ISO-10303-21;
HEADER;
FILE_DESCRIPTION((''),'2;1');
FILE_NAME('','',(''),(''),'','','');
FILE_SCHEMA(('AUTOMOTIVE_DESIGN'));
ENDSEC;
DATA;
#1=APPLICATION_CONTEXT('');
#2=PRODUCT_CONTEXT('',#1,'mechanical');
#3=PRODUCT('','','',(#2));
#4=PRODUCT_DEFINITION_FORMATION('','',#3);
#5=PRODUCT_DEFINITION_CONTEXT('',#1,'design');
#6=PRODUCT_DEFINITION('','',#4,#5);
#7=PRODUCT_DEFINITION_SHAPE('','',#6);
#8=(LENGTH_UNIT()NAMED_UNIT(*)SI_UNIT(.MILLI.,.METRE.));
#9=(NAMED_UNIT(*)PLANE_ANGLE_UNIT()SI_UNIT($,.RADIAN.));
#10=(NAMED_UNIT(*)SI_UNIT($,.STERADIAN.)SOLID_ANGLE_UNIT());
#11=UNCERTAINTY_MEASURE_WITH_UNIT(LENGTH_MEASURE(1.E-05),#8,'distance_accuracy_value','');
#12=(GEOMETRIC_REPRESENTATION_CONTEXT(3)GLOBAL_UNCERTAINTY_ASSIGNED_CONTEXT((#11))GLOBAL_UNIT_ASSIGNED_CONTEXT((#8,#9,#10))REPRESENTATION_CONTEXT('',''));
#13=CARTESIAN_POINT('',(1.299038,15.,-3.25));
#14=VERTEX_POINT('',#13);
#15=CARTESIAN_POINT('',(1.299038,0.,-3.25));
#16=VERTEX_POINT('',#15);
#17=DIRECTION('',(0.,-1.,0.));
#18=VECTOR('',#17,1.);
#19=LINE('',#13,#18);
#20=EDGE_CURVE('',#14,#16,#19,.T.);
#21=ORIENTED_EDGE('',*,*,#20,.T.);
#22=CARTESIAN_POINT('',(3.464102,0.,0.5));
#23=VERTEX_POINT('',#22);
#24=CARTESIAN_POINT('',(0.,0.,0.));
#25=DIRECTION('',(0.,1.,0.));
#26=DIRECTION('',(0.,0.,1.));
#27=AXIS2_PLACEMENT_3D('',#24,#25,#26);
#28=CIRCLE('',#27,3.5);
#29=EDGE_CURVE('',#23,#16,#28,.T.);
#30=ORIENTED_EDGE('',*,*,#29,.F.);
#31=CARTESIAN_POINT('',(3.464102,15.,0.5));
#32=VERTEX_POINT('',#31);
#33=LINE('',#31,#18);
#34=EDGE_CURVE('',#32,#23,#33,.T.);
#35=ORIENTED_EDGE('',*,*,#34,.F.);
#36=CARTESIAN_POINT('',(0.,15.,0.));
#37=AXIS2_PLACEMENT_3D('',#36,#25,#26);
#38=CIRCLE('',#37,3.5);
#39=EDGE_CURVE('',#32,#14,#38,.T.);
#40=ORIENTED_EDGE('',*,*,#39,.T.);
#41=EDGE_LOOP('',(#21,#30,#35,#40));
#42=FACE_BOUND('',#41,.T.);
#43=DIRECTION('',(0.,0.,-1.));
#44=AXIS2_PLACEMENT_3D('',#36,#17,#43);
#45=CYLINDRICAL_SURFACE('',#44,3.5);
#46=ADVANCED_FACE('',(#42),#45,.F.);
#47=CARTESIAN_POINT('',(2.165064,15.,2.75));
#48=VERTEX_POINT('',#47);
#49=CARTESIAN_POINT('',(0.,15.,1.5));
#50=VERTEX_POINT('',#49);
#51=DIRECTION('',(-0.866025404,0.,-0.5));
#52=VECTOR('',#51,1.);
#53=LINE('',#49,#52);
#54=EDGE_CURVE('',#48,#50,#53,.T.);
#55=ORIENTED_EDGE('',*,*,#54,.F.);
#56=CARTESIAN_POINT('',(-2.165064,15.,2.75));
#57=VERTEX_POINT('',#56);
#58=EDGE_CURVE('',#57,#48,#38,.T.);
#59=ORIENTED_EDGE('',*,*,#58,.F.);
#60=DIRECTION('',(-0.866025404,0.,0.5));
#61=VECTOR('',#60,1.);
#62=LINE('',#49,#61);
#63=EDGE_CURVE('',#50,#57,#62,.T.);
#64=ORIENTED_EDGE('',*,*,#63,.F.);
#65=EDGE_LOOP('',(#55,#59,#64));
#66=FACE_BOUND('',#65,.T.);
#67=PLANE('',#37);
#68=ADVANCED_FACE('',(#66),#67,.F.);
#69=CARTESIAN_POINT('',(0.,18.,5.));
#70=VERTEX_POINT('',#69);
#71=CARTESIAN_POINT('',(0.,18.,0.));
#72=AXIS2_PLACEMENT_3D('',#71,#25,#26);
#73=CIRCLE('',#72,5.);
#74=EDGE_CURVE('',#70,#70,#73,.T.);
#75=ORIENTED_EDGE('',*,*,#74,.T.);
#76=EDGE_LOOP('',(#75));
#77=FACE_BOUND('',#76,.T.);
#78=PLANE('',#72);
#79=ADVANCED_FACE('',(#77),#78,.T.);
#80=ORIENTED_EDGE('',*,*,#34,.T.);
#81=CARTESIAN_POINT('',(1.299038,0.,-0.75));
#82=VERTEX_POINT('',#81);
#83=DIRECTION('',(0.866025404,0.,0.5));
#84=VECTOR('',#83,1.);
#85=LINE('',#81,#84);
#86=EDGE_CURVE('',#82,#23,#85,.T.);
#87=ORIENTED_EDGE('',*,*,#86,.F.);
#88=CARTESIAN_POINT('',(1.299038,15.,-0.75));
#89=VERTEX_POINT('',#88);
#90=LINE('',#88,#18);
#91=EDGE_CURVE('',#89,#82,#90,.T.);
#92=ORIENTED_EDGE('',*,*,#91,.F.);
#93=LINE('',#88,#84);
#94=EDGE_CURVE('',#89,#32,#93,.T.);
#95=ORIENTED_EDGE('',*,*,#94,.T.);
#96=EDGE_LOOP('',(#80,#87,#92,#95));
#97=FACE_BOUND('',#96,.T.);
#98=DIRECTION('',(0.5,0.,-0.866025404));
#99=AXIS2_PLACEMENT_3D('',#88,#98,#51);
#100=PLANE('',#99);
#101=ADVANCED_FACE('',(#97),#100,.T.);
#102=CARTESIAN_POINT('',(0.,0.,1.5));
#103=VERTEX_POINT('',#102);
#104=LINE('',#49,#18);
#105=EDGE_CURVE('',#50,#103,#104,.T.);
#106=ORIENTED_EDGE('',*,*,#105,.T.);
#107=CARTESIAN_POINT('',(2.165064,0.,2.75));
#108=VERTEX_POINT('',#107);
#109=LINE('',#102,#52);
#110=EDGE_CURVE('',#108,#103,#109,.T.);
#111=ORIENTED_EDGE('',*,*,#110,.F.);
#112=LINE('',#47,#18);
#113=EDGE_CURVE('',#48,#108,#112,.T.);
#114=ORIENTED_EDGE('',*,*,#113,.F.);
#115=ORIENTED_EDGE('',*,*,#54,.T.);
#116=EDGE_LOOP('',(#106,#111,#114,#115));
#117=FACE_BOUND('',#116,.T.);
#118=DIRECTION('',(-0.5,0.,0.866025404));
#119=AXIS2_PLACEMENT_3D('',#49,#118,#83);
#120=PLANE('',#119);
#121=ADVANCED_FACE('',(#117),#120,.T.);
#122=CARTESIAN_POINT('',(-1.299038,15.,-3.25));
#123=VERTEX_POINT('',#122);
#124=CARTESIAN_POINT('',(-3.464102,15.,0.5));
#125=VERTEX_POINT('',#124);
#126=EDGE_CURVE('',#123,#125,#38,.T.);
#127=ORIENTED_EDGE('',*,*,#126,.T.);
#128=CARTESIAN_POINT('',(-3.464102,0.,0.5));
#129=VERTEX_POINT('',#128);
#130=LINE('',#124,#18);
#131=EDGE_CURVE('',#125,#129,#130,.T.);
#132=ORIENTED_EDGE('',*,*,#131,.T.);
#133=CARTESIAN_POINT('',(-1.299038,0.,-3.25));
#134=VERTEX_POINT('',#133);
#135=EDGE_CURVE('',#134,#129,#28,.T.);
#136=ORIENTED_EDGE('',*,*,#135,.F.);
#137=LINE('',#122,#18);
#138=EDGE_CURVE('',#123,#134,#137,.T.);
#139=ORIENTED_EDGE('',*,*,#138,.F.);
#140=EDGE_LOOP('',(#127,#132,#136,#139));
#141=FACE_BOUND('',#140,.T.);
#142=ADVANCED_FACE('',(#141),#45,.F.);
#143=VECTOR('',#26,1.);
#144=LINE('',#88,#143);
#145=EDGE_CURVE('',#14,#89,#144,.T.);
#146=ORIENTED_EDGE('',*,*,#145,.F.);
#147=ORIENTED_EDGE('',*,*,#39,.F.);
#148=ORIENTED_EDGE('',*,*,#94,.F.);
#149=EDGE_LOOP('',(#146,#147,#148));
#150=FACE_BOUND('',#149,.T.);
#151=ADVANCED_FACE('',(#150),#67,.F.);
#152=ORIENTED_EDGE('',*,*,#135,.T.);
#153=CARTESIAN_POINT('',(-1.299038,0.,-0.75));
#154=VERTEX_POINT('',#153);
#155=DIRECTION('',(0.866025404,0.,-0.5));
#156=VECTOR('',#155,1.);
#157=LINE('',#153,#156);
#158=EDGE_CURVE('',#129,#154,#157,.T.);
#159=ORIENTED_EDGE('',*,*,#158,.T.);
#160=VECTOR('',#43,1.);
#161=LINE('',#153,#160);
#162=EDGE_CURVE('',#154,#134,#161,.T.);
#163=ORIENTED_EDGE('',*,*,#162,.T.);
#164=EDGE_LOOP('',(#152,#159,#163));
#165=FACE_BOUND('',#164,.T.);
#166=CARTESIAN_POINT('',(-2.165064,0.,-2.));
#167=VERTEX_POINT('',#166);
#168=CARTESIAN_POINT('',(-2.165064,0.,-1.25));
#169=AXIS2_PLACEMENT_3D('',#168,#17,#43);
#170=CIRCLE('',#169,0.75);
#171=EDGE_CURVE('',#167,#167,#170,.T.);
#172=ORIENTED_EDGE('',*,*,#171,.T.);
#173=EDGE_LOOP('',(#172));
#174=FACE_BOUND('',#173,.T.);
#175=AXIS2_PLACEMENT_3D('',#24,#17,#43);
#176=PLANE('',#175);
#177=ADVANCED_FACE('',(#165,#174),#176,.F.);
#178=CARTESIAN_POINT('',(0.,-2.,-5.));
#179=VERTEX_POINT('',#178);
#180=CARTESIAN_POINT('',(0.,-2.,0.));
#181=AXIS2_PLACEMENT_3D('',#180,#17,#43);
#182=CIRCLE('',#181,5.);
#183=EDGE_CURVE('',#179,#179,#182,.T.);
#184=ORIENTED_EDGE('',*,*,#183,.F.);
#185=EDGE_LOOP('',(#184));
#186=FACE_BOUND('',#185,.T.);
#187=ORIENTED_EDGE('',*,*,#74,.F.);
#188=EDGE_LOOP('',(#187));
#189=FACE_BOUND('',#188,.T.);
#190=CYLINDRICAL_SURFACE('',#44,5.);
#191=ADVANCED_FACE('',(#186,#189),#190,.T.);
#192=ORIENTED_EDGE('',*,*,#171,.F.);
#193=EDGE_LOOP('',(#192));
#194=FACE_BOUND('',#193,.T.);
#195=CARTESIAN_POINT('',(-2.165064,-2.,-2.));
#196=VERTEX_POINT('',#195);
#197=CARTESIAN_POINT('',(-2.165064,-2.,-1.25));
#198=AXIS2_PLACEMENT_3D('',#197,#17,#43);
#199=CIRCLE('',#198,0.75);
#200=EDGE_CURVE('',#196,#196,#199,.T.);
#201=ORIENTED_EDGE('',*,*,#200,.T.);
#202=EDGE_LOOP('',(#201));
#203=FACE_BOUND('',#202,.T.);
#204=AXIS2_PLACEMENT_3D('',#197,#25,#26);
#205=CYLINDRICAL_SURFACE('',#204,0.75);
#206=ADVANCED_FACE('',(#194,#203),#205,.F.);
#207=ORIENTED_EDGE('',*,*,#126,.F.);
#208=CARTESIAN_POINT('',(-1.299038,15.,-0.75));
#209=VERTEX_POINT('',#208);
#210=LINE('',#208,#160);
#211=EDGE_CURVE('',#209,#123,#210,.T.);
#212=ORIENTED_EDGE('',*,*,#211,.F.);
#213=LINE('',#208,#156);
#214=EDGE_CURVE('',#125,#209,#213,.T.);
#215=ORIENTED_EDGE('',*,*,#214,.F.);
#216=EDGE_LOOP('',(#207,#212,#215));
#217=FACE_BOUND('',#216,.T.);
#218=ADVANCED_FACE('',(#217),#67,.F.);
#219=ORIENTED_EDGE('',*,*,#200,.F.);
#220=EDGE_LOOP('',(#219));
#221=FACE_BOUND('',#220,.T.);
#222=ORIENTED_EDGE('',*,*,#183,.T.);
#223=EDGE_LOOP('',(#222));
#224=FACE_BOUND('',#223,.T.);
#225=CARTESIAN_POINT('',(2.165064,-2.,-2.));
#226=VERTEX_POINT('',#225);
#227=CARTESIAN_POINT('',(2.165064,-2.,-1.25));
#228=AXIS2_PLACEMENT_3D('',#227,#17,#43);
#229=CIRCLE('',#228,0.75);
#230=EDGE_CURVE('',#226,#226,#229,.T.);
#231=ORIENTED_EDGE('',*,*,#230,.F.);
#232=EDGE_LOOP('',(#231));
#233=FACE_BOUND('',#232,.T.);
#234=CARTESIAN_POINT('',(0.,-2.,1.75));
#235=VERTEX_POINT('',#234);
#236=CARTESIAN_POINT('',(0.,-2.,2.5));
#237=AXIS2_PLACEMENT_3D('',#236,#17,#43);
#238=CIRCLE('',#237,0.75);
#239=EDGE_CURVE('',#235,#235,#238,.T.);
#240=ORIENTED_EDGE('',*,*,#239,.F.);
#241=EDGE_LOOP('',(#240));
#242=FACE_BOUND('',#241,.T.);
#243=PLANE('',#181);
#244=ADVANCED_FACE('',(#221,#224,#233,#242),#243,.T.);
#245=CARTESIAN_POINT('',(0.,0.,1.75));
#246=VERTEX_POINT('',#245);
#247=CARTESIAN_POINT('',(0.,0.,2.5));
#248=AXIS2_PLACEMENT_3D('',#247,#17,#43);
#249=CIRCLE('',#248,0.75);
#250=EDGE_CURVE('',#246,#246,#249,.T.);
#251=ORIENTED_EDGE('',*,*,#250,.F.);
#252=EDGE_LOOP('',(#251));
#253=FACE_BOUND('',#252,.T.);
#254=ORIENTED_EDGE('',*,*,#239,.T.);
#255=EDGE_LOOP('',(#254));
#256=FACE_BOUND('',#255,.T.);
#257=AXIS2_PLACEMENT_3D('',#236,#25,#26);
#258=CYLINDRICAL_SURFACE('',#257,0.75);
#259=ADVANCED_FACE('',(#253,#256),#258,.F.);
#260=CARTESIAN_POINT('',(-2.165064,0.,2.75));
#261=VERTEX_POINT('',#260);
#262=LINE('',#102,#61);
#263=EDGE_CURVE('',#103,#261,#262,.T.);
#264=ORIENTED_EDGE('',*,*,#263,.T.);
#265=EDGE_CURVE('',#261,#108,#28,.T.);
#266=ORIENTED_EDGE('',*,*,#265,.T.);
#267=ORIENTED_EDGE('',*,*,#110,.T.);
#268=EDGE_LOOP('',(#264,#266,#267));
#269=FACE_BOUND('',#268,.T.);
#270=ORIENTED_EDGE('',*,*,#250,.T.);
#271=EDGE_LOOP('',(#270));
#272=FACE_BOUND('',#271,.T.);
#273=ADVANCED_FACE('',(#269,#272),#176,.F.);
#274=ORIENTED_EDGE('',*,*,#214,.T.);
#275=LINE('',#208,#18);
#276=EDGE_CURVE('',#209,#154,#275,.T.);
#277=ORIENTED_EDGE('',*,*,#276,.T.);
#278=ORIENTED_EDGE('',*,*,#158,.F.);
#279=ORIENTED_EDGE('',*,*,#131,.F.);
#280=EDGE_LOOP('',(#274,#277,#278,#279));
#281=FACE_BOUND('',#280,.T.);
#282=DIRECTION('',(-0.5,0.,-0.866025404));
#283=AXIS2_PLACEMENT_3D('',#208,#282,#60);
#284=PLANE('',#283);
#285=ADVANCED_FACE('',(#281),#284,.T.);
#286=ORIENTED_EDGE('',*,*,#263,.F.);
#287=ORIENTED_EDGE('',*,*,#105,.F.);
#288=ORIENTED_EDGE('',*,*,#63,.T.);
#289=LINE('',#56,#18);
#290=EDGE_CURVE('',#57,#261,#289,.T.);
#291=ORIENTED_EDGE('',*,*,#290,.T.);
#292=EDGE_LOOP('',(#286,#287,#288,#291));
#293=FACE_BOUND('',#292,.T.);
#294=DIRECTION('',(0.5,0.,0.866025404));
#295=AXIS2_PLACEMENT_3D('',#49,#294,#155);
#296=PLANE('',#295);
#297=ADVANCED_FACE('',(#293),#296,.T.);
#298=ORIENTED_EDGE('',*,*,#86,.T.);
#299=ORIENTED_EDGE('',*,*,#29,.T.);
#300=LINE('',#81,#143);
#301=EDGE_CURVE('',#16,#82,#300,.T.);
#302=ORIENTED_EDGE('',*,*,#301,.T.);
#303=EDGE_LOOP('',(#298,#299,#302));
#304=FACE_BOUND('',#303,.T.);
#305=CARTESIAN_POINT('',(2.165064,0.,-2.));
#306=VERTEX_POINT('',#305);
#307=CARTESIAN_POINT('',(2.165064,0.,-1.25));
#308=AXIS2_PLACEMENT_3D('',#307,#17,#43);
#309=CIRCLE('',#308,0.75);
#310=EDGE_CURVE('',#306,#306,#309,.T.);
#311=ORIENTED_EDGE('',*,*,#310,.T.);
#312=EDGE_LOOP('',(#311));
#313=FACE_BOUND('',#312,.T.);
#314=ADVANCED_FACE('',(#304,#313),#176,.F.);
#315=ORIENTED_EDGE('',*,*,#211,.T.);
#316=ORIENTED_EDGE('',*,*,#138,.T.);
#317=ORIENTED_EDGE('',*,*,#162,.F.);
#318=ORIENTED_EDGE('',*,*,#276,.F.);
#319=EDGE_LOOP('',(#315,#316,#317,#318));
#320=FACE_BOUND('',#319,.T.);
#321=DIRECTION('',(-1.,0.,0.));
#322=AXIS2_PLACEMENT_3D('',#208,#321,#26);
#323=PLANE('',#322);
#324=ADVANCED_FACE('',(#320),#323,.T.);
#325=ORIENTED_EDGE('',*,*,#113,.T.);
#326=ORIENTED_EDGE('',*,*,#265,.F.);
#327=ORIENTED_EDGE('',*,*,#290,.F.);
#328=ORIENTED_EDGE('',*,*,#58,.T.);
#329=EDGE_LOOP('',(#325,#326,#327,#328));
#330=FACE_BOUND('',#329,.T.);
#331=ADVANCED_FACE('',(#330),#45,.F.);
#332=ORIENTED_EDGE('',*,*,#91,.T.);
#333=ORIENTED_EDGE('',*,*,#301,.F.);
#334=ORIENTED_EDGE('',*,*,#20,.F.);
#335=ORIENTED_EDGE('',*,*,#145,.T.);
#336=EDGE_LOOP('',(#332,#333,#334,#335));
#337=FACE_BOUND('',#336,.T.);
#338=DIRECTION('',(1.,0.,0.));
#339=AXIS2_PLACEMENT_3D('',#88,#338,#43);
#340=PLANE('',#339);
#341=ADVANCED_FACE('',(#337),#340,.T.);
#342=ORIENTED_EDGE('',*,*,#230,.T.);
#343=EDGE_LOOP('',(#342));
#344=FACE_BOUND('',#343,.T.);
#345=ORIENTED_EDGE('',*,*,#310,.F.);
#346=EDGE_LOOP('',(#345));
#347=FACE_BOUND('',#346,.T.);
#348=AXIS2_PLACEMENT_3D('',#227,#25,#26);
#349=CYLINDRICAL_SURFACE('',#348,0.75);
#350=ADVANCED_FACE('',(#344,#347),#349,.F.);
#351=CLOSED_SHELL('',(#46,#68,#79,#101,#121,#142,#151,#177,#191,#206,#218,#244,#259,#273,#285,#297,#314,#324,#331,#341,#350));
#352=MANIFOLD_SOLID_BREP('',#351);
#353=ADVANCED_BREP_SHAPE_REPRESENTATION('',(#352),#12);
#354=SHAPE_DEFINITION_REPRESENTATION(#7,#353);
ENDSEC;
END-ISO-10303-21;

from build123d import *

# Parameters (mm, degrees)
SKETCH2_R           = 5
BOSS_EXTRUDE1_DEPTH = 15
BOSS_EXTRUDE2_START = 2
SKETCH3_R           = 5
SKETCH3_R_2         = 0.75
BOSS_EXTRUDE2_DEPTH = 2
SKETCH4_R           = 5
BOSS_EXTRUDE3_DEPTH = 3


with BuildPart() as part:
    # Sketch2 → Boss-Extrude1 (new body)
    with BuildSketch(Plane(origin=(0, 0, 0), x_dir=(1, 0, 0), z_dir=(0, 1, 0))):
        with Locations(Location((0, 0, 0), (0, 0, 270))):
            Circle(SKETCH2_R)
        with BuildLine():
            Line((1.299038106, 0.75), (3.464101615, -0.5))
            ThreePointArc((3.464101615, -0.5), (3.031088913, 1.75), (1.299038106, 3.25))
            Line((1.299038106, 3.25), (1.299038106, 0.75))
        make_face(mode=Mode.SUBTRACT)
        with BuildLine():
            Line((-1.299038106, 0.75), (-1.299038106, 3.25))
            ThreePointArc((-1.299038106, 3.25), (-3.031088913, 1.75), (-3.464101615, -0.5))
            Line((-3.464101615, -0.5), (-1.299038106, 0.75))
        make_face(mode=Mode.SUBTRACT)
        with BuildLine():
            Line((0, -1.5), (-2.165063509, -2.75))
            ThreePointArc((-2.165063509, -2.75), (0, -3.5), (2.165063509, -2.75))
            Line((2.165063509, -2.75), (0, -1.5))
        make_face(mode=Mode.SUBTRACT)
    extrude(amount=BOSS_EXTRUDE1_DEPTH)

    # Sketch3 → Boss-Extrude2 (add)
    with BuildSketch(Plane.XZ.offset(BOSS_EXTRUDE2_START)):
        with Locations(Location((0, 0, 0), (0, 0, 270))):
            Circle(SKETCH3_R)
        with Locations(Location((0, 2.5, 0), (0, 0, 270))):
            Circle(SKETCH3_R_2, mode=Mode.SUBTRACT)
        with Locations(Location((2.165063509, -1.25, 0), (0, 0, 270))):
            Circle(SKETCH3_R_2, mode=Mode.SUBTRACT)
        with Locations(Location((-2.165063509, -1.25, 0), (0, 0, 270))):
            Circle(SKETCH3_R_2, mode=Mode.SUBTRACT)
    extrude(amount=-BOSS_EXTRUDE2_DEPTH)

    # Sketch4 → Boss-Extrude3 (add)
    with BuildSketch(Plane(origin=(0, 15, 0), x_dir=(1, 0, 0), z_dir=(0, 1, 0))):
        with Locations(Location((0, 0, 0), (0, 0, 90))):
            Circle(SKETCH4_R)
    extrude(amount=BOSS_EXTRUDE3_DEPTH)


solid = part.part
